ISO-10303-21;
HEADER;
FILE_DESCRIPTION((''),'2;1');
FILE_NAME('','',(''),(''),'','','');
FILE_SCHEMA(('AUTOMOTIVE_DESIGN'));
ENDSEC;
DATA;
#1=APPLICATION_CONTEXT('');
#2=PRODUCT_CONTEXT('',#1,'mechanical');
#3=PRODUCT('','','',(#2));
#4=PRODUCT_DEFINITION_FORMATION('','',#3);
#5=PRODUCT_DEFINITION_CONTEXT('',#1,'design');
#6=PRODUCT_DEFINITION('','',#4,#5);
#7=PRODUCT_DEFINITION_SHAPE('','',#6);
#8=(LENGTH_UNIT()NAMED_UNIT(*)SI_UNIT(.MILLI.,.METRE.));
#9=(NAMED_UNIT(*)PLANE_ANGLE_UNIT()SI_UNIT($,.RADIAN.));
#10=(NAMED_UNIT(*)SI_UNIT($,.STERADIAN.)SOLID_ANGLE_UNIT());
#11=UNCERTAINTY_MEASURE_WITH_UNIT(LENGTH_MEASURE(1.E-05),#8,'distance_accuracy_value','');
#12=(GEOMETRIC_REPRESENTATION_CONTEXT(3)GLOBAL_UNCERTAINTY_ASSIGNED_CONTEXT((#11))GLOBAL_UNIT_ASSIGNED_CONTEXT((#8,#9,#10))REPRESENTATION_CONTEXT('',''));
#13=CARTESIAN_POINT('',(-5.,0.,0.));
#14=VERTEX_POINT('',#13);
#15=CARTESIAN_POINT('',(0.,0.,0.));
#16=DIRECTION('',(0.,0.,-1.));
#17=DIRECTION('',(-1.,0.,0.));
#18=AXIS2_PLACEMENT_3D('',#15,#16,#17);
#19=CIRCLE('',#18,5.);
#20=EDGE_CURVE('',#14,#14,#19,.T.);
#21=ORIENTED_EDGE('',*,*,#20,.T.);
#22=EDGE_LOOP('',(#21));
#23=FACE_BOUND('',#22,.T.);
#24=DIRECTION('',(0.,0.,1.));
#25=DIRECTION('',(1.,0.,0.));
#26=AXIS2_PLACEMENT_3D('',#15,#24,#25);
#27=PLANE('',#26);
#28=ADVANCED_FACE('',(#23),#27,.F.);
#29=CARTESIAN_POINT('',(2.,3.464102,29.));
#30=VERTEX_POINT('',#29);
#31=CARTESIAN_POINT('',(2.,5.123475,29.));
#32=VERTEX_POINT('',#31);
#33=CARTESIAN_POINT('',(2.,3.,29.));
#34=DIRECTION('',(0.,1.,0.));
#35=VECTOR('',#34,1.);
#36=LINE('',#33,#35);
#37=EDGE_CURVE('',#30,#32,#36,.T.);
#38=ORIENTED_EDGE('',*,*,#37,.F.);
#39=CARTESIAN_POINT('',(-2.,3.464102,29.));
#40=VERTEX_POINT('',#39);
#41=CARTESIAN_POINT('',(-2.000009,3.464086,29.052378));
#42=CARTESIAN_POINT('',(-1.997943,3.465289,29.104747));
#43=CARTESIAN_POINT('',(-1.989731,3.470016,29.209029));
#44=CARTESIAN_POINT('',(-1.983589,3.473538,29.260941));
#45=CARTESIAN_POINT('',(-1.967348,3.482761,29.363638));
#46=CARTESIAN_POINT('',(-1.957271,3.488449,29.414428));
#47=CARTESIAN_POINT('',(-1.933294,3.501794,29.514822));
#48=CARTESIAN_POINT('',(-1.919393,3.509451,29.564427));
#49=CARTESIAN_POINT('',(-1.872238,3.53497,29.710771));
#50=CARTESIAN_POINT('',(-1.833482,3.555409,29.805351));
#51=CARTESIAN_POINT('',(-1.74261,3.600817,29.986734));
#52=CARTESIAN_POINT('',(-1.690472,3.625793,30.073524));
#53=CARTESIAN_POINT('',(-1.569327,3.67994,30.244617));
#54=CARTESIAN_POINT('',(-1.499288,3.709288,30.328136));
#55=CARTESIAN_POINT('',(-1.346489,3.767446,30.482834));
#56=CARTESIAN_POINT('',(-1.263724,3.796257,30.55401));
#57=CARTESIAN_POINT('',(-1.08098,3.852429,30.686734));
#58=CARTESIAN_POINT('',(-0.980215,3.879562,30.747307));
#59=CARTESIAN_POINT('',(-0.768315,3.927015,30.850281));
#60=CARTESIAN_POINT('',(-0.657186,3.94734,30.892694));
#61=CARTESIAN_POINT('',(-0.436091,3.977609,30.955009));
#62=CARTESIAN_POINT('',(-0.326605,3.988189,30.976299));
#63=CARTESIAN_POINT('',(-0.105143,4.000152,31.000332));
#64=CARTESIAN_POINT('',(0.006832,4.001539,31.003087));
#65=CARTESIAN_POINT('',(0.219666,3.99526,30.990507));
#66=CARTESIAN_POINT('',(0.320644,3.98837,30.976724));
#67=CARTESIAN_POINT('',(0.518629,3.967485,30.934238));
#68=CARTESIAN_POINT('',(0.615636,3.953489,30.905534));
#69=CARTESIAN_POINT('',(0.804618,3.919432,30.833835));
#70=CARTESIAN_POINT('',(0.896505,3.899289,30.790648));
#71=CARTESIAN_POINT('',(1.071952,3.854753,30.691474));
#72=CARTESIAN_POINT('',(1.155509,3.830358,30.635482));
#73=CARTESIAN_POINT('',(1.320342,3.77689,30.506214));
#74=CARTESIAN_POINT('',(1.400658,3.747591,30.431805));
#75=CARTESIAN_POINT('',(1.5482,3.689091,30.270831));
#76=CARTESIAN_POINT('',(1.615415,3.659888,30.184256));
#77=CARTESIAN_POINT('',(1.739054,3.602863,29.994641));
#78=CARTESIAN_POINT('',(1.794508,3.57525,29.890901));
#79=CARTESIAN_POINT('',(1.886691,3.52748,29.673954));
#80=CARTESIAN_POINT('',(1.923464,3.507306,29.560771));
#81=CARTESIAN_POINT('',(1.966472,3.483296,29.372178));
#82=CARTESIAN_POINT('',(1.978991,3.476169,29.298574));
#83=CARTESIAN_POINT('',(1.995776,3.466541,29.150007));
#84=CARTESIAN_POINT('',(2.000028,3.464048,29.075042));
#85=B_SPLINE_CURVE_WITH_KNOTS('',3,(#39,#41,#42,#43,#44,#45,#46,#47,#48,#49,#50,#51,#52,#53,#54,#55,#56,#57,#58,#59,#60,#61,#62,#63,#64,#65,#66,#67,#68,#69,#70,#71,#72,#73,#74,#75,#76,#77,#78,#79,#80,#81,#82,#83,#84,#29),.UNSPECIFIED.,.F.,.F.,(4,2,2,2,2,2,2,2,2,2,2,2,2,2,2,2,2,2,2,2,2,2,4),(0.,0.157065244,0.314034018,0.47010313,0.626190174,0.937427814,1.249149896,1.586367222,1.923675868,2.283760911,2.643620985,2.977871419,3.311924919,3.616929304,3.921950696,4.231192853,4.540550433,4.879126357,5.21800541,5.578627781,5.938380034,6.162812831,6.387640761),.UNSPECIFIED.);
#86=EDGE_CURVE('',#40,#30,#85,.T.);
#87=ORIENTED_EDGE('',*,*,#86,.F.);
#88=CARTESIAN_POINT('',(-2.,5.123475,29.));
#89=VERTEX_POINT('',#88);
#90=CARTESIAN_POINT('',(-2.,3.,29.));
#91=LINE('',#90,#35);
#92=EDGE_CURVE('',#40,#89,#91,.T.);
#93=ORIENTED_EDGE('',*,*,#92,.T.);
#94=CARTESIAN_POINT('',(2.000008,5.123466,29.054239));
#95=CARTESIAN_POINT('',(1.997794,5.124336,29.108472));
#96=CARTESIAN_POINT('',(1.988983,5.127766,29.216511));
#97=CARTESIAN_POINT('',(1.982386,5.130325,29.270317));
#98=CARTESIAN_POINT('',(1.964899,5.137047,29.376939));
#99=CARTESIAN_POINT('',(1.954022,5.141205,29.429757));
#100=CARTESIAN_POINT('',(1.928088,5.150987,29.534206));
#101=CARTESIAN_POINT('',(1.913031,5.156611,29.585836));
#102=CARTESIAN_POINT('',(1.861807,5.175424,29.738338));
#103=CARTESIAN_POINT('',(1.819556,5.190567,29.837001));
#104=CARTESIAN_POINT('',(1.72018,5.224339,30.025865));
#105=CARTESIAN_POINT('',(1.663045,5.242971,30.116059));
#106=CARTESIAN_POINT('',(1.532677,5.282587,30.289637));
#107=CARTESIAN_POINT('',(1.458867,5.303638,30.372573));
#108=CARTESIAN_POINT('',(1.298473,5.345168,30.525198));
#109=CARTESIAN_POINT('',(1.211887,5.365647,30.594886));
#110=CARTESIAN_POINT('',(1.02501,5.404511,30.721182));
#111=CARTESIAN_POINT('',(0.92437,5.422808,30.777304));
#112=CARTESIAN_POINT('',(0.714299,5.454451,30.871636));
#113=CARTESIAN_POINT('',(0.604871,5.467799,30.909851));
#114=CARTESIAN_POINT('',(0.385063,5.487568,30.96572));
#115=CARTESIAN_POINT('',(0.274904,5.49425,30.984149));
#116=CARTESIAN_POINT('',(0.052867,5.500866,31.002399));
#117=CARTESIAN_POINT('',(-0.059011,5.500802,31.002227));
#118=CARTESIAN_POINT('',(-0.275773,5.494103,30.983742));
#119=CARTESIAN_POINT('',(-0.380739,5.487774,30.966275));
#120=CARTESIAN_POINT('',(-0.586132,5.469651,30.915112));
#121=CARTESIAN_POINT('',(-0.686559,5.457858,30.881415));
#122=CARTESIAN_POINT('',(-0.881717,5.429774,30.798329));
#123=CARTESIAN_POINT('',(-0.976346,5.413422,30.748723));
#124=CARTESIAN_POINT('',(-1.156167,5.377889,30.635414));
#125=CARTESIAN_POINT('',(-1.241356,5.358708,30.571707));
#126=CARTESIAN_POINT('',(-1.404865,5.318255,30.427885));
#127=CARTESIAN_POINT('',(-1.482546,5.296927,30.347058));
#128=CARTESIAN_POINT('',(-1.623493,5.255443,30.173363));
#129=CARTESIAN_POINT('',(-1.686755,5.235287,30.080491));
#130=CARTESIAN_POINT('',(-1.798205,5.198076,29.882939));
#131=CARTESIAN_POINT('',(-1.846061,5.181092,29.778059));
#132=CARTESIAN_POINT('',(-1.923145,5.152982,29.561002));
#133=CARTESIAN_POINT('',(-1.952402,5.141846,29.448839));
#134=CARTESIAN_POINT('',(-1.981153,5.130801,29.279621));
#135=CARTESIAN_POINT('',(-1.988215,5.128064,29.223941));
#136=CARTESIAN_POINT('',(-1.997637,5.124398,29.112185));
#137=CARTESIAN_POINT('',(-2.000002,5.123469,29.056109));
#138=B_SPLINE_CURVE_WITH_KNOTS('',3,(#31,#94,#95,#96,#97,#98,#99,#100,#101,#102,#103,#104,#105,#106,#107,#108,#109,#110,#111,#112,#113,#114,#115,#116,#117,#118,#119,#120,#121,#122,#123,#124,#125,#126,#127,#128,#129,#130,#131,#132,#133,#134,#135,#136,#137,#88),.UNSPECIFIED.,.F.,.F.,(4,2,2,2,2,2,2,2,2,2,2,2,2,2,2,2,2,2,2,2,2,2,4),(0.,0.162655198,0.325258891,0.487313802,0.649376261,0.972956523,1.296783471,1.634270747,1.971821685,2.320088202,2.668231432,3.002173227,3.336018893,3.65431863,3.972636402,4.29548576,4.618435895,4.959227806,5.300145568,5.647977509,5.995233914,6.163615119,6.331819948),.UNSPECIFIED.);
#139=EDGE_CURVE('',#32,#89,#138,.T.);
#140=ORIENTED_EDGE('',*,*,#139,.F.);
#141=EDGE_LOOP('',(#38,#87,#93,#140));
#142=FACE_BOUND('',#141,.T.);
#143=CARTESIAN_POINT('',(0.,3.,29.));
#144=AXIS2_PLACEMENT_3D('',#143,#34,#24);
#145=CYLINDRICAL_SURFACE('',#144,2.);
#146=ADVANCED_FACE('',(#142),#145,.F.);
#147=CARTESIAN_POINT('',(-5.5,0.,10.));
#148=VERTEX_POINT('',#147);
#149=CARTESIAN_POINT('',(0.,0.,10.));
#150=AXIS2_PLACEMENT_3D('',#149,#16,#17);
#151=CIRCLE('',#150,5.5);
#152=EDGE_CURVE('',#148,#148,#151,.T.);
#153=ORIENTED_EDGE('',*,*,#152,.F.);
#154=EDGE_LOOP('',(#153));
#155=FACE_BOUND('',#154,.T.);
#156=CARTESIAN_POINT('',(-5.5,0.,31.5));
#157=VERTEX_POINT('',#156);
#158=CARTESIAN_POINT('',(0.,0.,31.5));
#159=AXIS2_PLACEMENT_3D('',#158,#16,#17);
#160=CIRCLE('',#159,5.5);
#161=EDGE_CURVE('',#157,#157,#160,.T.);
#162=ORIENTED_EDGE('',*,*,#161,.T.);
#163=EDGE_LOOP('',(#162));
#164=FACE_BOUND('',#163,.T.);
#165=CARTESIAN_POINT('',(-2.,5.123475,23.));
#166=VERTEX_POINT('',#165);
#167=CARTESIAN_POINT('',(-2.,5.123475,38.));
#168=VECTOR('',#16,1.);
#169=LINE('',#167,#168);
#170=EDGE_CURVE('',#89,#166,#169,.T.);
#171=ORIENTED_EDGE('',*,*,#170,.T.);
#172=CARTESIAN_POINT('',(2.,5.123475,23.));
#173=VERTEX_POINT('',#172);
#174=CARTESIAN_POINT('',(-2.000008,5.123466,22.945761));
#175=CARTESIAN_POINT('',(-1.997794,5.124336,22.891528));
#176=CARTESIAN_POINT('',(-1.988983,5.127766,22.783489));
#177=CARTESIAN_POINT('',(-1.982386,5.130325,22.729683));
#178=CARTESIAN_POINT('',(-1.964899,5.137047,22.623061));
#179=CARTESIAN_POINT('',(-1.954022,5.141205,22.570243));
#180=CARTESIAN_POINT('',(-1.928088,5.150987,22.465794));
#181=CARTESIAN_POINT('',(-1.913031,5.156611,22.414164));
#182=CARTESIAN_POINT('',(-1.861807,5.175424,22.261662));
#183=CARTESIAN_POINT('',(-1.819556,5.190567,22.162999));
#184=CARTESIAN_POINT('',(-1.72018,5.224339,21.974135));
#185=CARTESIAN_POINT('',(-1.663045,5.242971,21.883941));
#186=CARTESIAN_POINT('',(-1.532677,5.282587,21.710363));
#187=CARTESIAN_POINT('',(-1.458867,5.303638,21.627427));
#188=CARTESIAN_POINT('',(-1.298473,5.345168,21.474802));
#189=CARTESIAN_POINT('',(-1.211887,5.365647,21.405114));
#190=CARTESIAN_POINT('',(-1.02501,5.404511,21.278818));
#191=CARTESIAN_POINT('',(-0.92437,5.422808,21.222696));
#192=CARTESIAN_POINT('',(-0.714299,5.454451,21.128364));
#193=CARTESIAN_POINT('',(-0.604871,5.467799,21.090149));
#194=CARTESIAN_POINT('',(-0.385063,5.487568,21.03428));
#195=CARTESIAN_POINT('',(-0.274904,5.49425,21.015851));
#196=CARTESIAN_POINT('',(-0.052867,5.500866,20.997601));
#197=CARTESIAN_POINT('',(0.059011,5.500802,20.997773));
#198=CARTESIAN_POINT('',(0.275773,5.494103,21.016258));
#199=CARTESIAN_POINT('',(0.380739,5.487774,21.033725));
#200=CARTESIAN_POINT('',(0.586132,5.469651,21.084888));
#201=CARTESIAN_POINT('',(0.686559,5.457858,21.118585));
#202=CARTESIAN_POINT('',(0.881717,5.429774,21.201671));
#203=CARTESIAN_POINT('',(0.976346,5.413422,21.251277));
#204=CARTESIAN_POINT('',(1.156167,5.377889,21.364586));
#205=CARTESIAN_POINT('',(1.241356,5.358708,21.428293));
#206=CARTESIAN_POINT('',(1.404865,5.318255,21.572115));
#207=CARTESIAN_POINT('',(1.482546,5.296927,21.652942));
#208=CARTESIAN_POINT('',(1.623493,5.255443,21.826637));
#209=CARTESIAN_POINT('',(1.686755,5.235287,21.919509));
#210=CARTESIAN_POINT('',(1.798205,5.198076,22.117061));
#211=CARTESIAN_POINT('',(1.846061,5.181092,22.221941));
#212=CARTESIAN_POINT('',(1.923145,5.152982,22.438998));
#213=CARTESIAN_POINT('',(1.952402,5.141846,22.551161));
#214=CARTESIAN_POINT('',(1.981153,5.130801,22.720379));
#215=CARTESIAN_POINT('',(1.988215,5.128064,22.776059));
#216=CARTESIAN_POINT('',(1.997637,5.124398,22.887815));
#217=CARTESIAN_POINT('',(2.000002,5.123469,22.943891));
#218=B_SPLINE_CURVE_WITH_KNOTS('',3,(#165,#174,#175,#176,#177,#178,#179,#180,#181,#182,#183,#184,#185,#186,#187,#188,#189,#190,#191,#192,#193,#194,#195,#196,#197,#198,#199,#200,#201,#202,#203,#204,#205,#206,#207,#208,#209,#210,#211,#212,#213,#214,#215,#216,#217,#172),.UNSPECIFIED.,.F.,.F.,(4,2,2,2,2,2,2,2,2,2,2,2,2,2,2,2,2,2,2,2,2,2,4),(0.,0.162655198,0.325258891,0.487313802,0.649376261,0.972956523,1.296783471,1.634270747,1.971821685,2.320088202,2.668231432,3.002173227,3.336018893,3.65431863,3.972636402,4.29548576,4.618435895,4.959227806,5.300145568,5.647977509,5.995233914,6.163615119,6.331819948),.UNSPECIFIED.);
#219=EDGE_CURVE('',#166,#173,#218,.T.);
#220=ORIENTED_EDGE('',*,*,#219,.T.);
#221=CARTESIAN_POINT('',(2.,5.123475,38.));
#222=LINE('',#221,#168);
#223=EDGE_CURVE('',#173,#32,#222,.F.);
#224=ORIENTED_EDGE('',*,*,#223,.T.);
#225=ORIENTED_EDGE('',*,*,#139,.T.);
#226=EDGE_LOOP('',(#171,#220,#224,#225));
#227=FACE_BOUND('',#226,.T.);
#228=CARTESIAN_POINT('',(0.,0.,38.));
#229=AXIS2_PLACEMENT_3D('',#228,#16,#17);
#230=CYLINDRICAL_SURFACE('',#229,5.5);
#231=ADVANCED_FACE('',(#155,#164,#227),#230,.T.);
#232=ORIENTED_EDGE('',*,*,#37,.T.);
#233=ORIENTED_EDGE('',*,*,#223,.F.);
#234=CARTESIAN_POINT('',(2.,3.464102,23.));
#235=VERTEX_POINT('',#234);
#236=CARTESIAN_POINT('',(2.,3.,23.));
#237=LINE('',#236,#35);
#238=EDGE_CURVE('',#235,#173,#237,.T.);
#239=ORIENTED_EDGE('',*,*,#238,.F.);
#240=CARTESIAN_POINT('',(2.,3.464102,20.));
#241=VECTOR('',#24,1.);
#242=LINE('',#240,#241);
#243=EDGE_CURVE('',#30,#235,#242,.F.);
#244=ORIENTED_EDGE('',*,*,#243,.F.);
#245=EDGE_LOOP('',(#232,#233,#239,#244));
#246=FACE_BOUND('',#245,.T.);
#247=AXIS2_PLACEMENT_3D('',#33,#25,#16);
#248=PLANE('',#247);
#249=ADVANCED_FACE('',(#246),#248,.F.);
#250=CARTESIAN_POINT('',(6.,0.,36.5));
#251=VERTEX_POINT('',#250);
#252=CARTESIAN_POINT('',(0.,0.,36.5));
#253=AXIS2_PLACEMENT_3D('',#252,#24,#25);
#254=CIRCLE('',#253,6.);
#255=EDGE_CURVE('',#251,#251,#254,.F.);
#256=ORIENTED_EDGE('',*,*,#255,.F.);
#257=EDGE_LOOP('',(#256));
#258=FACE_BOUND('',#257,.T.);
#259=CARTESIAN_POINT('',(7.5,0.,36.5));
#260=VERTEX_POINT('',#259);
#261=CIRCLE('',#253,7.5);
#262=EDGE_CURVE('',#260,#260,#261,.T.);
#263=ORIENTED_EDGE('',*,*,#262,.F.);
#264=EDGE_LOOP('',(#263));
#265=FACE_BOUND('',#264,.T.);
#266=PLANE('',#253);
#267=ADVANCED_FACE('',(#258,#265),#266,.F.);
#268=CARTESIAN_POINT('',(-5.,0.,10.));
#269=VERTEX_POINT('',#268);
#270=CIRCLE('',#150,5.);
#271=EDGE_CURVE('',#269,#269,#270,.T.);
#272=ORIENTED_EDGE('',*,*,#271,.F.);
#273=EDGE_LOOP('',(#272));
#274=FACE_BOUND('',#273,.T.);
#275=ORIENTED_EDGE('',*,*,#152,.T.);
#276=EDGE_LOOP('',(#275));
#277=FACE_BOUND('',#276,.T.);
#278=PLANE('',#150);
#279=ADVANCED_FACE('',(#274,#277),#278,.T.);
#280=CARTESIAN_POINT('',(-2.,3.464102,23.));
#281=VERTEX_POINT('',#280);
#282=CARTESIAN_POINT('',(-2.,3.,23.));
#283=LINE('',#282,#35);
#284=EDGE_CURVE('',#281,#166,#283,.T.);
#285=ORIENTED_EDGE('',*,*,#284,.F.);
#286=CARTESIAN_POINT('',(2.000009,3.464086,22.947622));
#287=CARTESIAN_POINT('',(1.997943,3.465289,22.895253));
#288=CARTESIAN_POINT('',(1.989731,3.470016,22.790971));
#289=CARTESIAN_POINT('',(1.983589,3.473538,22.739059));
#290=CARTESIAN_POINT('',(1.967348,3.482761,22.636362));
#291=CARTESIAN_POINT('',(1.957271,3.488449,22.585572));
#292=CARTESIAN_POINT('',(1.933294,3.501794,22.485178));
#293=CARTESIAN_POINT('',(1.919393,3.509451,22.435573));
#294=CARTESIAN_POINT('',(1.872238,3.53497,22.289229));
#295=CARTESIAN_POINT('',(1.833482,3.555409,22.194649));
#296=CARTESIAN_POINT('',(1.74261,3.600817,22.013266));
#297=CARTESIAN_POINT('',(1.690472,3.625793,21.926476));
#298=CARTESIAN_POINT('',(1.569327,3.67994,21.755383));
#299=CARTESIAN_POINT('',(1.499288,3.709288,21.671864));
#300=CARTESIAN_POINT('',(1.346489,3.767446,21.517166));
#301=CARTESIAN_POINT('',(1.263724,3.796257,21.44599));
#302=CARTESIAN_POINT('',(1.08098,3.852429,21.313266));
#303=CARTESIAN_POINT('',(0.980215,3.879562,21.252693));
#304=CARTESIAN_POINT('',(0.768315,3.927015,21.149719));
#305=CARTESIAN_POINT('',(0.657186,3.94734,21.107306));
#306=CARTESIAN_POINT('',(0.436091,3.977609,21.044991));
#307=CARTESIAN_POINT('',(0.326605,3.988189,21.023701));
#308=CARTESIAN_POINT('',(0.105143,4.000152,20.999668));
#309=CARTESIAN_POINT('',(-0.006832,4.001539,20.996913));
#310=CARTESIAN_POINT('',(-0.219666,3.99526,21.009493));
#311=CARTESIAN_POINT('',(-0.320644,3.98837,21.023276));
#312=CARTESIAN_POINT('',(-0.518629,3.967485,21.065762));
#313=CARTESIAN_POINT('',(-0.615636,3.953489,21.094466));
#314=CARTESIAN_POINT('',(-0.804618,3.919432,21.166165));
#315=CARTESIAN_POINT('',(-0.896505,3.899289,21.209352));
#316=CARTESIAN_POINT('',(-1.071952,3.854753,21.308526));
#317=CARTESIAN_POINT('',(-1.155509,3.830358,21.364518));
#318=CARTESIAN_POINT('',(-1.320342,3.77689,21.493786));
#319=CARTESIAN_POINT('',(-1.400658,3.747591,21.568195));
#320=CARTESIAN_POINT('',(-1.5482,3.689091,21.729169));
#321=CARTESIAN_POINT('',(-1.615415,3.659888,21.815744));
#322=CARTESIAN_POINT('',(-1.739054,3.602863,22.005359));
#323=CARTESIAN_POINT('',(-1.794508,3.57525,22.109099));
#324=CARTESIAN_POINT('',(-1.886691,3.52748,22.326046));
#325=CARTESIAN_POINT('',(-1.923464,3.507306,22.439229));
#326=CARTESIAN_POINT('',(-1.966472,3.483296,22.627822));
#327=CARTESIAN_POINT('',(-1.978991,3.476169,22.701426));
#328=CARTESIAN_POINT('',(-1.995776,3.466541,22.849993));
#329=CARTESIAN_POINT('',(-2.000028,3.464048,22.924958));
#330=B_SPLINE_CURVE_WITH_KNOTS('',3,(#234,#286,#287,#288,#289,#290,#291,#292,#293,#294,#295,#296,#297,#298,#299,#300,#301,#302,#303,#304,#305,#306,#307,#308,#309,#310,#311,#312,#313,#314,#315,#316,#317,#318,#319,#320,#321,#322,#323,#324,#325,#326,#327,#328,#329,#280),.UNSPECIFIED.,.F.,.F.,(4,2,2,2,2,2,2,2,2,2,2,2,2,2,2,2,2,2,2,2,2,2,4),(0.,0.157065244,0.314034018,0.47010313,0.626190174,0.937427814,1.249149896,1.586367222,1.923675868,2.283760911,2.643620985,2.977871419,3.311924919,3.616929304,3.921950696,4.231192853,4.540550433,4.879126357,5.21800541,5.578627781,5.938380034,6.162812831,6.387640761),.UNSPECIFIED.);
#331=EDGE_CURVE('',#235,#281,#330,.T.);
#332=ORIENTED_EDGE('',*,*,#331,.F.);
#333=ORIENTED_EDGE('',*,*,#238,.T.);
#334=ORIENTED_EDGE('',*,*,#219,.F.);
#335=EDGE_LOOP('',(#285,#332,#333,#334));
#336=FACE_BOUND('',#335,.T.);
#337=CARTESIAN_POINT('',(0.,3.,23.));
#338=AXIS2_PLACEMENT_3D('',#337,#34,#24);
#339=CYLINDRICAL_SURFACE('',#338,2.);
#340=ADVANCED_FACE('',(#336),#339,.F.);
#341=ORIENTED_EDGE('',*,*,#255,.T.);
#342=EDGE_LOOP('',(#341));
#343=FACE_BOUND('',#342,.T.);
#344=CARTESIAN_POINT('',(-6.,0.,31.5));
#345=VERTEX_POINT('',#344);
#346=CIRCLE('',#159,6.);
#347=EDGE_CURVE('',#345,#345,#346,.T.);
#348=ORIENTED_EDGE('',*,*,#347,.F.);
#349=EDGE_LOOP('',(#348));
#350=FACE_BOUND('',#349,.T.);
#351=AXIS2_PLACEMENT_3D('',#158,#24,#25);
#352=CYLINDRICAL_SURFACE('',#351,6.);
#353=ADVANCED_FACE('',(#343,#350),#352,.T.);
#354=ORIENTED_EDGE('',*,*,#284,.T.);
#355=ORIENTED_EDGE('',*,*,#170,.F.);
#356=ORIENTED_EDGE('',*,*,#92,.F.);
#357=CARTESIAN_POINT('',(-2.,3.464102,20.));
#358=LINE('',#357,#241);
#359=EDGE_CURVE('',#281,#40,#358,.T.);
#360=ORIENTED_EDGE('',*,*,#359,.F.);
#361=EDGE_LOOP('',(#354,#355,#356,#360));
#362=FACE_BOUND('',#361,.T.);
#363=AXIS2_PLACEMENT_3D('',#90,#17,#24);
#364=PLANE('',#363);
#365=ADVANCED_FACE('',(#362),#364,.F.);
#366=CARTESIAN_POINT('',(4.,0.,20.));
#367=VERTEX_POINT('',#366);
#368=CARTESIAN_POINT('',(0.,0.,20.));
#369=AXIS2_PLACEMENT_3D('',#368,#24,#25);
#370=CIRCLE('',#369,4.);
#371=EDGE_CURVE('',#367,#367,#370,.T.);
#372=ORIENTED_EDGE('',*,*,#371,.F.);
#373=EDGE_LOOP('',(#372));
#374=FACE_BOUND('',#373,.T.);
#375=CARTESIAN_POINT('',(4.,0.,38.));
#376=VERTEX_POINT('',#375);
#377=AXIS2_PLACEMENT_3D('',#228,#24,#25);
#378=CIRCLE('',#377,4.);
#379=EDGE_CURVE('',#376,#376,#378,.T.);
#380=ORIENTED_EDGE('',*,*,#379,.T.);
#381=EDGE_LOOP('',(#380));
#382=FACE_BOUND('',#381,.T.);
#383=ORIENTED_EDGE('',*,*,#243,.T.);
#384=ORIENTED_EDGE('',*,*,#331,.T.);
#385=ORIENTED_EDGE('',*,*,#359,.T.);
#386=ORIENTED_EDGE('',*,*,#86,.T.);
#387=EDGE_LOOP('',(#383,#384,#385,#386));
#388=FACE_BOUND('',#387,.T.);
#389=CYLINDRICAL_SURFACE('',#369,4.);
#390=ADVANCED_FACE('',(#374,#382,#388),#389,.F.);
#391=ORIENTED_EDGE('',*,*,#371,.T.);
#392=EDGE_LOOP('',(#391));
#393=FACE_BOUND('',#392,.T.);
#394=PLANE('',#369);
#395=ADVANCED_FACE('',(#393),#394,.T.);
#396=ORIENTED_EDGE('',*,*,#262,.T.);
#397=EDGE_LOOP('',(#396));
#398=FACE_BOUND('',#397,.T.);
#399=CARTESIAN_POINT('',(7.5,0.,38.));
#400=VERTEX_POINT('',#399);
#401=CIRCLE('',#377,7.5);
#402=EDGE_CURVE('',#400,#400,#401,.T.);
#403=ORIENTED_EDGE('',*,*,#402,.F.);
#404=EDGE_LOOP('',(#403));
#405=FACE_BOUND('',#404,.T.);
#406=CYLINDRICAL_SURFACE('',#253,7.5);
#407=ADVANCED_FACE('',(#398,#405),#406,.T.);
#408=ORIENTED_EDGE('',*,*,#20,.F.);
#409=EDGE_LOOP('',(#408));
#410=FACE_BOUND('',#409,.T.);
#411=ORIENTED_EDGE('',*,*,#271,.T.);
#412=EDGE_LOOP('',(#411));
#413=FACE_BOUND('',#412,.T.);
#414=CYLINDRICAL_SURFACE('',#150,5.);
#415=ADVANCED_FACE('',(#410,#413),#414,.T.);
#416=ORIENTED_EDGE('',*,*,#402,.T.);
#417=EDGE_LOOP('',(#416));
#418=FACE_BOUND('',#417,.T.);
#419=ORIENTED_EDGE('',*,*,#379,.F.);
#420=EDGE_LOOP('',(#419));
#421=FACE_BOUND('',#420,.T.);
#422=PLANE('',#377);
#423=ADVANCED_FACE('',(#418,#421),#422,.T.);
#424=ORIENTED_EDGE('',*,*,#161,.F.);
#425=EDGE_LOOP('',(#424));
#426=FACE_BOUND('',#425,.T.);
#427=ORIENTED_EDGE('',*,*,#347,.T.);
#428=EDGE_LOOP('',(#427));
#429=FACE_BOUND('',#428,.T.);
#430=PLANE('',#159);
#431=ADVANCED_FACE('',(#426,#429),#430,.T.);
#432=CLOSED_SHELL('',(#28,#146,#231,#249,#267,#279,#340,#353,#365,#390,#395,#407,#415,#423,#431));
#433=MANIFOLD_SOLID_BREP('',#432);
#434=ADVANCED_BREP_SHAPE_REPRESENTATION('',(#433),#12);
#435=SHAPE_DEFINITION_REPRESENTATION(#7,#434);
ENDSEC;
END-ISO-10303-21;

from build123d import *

# Parameters (mm, degrees)
SKETCH1_R                    = 5.5
BOSS_EXTRUDE1_DEPTH          = 38
SKETCH8_R                    = 7.5
BOSS_EXTRUDE2_DEPTH          = 1.5
SKETCH9_R                    = 6
BOSS_EXTRUDE3_DEPTH          = 5
SKETCH2_R                    = 4
CUT_EXTRUDE1_DEPTH           = 18
KEYWAY_SLOT_DEPTH            = 2.5
SKETCH11_OUTSIDE_W           = 25.704
SKETCH11_OUTSIDE_H           = 25.704
SKETCH11_OUTSIDE_R           = 5
TRIM_FOR_M10_WHEEL_NUT_DEPTH = 10


with BuildPart() as part:
    # Sketch1 → Boss-Extrude1 (new body)
    with BuildSketch(Plane.XY):
        Circle(SKETCH1_R)
    extrude(amount=BOSS_EXTRUDE1_DEPTH)

    # Sketch8 → Boss-Extrude2 (add)
    with BuildSketch(Plane.XY.offset(38)):
        Circle(SKETCH8_R)
    extrude(amount=-BOSS_EXTRUDE2_DEPTH)

    # Sketch9 → Boss-Extrude3 (add)
    with BuildSketch(Plane(origin=(0, 0, 36.5), x_dir=(-1, 0, 0), z_dir=(0, 0, -1))):
        with Locations(Location((0, 0, 0), (0, 0, 180))):
            Circle(SKETCH9_R)
    extrude(amount=BOSS_EXTRUDE3_DEPTH)

    # Sketch2 → Cut-Extrude1 (cut)
    with BuildSketch(Plane.XY.offset(38)):
        Circle(SKETCH2_R)
    extrude(amount=-CUT_EXTRUDE1_DEPTH, mode=Mode.SUBTRACT)

    # Sketch7 → Keyway slot (cut)
    with BuildSketch(Plane(origin=(0, 5.5, 0), x_dir=(1, 0, 0), z_dir=(0, 1, 0))):
        with BuildLine():
            Line((-2, -29), (-2, -23))
            ThreePointArc((-2, -23), (0, -21), (2, -23))
            Line((2, -23), (2, -29))
            ThreePointArc((2, -29), (0, -31), (-2, -29))
        make_face()
    extrude(amount=-KEYWAY_SLOT_DEPTH, mode=Mode.SUBTRACT)

    # Sketch11 outside → Trim for M10 wheel nut (cut)
    with BuildSketch(Plane(origin=(0, 0, 0), x_dir=(-1, 0, 0), z_dir=(0, 0, -1))):
        Rectangle(SKETCH11_OUTSIDE_W, SKETCH11_OUTSIDE_H)
        Circle(SKETCH11_OUTSIDE_R, mode=Mode.SUBTRACT)
    extrude(amount=-TRIM_FOR_M10_WHEEL_NUT_DEPTH, mode=Mode.SUBTRACT)


solid = part.part
